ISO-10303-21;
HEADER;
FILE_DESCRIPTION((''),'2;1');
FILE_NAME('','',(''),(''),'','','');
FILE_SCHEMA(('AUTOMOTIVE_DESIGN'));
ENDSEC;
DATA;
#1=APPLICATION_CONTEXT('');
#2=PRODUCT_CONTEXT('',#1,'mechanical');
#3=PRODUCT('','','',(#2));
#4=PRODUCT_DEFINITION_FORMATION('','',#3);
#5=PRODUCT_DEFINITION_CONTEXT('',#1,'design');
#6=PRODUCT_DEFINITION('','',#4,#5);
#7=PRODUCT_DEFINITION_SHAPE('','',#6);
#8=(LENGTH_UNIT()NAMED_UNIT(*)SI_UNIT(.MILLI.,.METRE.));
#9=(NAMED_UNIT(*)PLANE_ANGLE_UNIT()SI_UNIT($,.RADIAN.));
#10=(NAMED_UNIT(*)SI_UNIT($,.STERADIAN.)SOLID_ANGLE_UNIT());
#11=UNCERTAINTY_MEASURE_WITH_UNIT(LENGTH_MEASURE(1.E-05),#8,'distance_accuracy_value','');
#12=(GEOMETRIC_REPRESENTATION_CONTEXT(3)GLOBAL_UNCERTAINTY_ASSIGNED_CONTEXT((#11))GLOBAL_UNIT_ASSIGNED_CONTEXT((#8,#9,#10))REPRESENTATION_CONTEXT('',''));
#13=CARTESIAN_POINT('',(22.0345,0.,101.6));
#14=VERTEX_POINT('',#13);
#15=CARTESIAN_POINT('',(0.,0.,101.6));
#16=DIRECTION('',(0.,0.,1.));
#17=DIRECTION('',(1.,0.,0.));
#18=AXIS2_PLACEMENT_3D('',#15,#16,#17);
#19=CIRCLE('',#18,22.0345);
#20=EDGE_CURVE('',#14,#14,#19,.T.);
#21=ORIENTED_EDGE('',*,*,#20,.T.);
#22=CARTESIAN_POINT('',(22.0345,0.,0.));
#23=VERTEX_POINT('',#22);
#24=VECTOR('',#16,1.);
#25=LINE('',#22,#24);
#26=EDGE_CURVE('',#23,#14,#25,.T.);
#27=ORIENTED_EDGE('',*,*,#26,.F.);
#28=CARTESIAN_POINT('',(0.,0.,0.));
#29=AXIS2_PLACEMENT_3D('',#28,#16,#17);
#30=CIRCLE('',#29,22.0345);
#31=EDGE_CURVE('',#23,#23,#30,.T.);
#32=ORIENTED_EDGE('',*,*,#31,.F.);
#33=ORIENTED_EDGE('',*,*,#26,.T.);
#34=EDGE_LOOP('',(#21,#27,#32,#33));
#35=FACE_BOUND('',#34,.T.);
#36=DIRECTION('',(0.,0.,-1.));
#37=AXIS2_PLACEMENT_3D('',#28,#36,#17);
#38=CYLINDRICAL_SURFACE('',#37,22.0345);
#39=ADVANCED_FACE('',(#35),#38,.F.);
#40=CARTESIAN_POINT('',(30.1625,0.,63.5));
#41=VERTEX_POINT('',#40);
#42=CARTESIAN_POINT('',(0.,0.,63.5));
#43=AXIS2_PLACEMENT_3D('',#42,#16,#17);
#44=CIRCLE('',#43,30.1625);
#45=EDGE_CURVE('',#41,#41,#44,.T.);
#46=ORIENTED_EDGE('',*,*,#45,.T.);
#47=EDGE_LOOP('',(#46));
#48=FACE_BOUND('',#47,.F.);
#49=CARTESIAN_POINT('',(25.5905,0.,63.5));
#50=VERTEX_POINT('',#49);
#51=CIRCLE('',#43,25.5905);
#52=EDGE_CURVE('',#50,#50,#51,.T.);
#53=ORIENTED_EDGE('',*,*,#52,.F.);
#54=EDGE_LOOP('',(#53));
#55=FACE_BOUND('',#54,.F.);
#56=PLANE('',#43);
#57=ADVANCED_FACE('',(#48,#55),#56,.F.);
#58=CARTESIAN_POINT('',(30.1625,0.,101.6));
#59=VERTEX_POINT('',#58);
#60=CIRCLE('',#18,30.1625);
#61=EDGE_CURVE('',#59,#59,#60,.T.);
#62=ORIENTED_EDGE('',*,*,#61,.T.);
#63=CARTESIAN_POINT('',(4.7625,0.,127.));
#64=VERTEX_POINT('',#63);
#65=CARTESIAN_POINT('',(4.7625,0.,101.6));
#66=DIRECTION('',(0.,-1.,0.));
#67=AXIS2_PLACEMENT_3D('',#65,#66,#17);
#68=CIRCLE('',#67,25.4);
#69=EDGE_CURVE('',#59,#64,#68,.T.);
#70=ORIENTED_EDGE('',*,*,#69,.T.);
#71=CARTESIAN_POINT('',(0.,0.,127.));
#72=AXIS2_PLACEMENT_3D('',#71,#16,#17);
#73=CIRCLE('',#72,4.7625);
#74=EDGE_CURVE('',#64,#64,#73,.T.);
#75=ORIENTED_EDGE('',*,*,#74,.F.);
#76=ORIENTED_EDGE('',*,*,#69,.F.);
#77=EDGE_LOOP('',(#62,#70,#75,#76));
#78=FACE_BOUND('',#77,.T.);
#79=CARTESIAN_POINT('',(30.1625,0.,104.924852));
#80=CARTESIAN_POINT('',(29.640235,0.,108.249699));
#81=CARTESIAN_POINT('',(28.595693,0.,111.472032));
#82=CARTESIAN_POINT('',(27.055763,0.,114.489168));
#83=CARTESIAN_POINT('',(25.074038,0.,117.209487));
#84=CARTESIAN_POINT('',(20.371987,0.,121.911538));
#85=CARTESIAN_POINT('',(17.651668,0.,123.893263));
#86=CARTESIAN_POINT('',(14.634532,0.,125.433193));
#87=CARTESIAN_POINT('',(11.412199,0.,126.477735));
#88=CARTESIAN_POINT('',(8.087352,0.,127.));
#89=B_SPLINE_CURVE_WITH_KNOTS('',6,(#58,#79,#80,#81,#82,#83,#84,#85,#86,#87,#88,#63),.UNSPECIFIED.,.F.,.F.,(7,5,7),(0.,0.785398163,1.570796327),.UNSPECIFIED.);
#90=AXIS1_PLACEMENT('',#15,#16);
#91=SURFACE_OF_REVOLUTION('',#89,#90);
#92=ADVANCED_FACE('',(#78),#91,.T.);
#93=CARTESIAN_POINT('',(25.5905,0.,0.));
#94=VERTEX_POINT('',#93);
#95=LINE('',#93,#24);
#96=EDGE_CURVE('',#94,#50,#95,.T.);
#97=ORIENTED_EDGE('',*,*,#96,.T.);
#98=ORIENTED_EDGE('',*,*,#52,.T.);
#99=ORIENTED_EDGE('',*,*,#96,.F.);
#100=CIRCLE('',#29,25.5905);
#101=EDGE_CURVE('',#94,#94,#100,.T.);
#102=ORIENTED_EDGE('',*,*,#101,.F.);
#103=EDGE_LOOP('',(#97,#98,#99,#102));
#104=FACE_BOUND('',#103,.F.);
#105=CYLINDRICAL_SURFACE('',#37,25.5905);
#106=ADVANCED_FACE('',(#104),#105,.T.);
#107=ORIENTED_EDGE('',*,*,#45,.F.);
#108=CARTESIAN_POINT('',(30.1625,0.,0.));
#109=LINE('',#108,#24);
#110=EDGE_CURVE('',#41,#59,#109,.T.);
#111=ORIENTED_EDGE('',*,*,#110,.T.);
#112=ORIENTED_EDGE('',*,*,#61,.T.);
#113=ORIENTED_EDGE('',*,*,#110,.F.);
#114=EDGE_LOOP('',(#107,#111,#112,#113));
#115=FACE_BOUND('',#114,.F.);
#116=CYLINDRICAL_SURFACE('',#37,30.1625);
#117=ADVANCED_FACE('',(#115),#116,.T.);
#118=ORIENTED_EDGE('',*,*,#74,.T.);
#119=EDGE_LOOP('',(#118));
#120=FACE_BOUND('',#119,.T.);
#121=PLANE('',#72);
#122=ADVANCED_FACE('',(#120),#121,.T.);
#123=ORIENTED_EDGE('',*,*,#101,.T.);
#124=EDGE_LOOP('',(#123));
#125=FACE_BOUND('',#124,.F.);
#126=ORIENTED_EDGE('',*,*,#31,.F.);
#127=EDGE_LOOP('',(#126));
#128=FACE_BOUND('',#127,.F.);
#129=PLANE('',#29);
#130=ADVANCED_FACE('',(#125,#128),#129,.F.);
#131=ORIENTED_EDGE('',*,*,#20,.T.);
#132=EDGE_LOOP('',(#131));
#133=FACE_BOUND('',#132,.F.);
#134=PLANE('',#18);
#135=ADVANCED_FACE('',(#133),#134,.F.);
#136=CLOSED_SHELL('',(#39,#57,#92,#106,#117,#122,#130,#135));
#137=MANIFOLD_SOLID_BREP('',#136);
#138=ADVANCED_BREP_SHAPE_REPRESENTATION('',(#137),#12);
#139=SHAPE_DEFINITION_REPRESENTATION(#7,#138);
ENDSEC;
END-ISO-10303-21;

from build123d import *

# Parameters (mm, degrees)
F0_R     = 30.1625
F1_DEPTH = 127
F2_R     = 25.4
F3_R     = 22.0345
F4_DEPTH = 101.6
F5_R     = 30.1625
F5_R_2   = 25.5905
F6_DEPTH = 63.5


with BuildPart() as f1:
    # F0 (on Top) → F1 (new body)
    with BuildSketch(Plane.XY):
        Circle(F0_R)
    extrude(amount=F1_DEPTH)

    # F2
    f2_edges = [f1.edges().sort_by_distance(p)[0] for p in [
        (-30.1625, 0, 127),
    ]]
    fillet(f2_edges, radius=F2_R)

    # F3 (on face) → F4 (cut)
    with BuildSketch(Plane.XY):
        Circle(F3_R)
    extrude(amount=F4_DEPTH, mode=Mode.SUBTRACT)

    # F5 (on face) → F6 (cut)
    with BuildSketch(Plane.XY):
        Circle(F5_R)
        Circle(F5_R_2, mode=Mode.SUBTRACT)
    extrude(amount=F6_DEPTH, mode=Mode.SUBTRACT)


solid = f1.part
